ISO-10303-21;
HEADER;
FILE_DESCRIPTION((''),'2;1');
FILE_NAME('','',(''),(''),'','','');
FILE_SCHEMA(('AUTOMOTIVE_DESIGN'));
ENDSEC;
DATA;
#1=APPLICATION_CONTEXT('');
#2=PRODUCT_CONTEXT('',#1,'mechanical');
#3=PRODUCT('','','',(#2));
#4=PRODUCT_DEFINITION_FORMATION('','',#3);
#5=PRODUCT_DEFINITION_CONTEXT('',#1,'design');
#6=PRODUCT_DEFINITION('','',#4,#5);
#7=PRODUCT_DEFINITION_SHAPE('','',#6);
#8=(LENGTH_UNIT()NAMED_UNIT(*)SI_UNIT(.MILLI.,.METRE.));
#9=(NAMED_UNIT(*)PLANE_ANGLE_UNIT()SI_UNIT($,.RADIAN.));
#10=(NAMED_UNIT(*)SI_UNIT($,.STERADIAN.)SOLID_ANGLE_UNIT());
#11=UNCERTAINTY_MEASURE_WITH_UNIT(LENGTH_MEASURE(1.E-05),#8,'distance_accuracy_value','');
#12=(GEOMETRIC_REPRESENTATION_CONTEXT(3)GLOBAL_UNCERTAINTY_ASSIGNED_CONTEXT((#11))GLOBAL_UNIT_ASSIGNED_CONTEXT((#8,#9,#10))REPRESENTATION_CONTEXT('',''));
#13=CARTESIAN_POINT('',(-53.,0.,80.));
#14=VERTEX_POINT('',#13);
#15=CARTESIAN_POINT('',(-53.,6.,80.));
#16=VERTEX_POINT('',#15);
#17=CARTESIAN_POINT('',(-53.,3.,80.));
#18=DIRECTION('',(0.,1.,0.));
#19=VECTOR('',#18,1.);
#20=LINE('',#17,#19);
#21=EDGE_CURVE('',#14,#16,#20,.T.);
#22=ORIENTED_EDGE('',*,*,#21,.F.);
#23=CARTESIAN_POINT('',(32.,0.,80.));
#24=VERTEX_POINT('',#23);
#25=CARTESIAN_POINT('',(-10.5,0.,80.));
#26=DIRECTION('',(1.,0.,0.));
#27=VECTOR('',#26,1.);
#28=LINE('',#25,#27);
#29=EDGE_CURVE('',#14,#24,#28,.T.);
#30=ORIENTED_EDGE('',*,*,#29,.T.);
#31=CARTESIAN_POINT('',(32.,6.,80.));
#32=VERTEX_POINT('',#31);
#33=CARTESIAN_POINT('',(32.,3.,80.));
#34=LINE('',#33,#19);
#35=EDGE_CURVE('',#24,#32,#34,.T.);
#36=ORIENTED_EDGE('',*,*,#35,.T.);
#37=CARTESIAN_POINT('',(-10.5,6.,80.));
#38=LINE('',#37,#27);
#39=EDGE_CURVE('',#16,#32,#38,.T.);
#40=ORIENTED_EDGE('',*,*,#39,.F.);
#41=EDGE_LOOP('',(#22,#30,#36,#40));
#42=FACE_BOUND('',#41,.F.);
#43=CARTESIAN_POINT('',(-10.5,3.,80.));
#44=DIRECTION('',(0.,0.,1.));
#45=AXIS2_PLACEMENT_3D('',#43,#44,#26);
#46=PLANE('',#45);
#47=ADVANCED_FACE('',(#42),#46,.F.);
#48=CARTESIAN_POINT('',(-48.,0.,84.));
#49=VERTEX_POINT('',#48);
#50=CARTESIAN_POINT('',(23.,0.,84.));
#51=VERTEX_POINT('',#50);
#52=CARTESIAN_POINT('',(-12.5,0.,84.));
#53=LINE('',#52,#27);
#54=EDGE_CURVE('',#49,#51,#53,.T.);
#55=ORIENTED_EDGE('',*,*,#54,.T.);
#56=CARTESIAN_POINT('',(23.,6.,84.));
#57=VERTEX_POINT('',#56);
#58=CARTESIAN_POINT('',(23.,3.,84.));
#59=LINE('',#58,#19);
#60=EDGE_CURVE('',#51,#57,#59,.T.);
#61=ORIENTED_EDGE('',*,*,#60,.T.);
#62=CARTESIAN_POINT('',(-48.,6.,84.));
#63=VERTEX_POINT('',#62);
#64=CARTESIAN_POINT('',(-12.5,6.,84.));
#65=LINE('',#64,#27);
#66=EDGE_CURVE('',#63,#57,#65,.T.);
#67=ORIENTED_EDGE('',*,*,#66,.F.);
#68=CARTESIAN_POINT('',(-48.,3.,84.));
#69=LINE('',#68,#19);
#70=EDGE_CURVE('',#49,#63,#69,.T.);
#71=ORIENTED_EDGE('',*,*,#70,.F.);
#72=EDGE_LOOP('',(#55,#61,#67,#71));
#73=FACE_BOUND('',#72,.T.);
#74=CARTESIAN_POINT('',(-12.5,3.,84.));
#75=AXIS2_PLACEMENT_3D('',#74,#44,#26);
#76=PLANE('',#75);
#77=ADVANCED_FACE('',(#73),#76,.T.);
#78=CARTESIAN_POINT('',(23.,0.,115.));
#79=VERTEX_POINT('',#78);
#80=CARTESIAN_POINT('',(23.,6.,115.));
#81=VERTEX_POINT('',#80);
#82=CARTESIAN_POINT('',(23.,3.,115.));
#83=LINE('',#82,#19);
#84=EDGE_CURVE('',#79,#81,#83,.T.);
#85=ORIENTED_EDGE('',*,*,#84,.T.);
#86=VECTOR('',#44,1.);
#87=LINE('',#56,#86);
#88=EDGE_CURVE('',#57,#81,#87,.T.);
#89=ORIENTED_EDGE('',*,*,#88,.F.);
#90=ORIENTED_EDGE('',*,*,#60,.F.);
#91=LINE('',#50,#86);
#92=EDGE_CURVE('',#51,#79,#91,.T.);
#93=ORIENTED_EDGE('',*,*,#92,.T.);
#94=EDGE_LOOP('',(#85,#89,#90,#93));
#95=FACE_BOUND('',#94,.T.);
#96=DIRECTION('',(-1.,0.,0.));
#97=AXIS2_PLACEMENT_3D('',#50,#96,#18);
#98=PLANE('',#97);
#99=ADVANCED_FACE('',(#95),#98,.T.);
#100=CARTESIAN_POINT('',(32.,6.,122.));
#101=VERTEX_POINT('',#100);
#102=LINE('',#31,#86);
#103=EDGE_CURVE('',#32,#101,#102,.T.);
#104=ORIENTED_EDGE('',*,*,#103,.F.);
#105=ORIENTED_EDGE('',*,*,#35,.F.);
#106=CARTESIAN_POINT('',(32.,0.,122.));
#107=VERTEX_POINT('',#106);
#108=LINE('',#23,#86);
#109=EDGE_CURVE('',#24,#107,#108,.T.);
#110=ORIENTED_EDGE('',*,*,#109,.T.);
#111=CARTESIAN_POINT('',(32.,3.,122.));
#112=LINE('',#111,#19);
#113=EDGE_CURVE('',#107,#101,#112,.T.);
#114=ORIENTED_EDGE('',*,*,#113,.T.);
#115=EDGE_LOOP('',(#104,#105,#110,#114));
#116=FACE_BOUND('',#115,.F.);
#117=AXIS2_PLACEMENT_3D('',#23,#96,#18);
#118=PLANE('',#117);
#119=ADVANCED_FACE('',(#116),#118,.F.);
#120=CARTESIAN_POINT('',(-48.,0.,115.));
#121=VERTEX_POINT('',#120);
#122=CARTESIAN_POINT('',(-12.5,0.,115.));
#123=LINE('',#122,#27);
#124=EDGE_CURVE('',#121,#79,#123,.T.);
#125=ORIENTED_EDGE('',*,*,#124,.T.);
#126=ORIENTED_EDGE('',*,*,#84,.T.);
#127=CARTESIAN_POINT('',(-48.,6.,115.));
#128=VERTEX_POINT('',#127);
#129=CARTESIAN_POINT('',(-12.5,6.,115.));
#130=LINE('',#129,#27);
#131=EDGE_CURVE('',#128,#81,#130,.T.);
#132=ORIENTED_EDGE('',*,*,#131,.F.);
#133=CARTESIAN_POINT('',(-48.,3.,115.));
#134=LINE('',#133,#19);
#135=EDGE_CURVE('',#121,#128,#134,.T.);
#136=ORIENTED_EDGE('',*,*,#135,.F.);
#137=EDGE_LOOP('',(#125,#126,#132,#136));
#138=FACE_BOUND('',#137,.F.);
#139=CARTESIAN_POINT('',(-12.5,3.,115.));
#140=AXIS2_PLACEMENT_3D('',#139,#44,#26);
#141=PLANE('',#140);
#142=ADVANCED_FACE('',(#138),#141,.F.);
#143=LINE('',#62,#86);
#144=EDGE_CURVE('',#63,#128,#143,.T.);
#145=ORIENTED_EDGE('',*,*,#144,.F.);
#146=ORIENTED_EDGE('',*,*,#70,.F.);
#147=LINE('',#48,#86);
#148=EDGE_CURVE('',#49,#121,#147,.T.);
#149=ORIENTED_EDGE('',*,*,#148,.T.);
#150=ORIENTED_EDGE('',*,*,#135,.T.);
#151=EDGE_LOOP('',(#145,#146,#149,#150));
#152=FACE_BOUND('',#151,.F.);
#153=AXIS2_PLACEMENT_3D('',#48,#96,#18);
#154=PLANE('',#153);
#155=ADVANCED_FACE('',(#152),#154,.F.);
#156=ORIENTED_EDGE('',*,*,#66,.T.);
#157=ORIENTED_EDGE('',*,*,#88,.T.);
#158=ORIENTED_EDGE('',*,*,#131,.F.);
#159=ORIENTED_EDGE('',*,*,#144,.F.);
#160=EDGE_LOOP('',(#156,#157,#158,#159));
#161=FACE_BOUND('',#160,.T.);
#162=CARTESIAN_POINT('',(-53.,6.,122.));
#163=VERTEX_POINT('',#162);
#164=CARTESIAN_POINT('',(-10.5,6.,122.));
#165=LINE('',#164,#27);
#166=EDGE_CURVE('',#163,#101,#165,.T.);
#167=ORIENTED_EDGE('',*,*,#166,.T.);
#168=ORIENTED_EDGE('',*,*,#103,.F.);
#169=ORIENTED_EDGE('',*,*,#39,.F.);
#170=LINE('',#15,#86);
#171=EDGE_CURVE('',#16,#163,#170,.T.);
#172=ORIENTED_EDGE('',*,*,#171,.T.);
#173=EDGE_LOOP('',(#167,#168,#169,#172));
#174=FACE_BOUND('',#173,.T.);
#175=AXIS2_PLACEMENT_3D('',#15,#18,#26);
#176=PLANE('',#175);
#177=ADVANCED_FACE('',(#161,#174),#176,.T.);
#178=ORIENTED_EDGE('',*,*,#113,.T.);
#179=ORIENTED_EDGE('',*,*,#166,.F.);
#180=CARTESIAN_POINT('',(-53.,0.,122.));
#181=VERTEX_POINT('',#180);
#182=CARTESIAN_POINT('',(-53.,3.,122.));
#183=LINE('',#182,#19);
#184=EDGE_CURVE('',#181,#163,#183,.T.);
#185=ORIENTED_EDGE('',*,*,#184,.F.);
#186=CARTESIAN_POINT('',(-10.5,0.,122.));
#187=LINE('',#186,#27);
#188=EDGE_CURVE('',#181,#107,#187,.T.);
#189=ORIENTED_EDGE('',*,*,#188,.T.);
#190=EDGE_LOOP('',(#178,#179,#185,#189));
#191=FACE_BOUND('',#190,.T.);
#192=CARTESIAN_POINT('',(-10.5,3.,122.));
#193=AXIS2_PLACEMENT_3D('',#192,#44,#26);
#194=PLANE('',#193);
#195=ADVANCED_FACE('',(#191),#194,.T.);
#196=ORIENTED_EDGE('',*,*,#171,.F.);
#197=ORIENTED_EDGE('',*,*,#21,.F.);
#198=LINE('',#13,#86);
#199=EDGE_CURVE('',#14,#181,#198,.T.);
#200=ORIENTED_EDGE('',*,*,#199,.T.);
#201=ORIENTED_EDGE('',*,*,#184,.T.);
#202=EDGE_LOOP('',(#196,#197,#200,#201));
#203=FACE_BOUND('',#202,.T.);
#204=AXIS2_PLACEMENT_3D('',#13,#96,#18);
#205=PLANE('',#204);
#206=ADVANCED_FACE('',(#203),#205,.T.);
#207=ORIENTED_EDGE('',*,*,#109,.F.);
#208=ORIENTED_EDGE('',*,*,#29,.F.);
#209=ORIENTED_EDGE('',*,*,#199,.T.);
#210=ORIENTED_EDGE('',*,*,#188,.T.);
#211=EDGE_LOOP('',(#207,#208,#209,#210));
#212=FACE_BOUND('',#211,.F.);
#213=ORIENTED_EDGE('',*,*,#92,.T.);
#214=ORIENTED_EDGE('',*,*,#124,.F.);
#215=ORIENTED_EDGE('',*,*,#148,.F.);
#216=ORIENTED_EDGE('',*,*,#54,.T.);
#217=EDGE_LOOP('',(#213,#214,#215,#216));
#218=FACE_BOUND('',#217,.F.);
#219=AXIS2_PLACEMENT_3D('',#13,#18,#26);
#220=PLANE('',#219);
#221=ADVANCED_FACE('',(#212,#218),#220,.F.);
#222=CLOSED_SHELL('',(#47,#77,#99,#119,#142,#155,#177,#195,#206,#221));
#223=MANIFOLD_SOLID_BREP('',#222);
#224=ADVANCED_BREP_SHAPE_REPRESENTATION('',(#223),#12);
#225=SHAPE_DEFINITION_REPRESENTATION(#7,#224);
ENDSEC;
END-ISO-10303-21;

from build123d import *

# Parameters (mm, degrees)
BOX021_W     = 71
BOX021_H     = 6
BOX021_DEPTH = 31
BOX020_W     = 85
BOX020_H     = 6
BOX020_DEPTH = 42


with BuildPart() as cubo021:
    # Box021 → Box021 (new body)
    with BuildSketch(Plane(origin=(-65, 0, 84), x_dir=(1, 0, 0), z_dir=(0, 0, 1))):
        with Locations((35.5, 3)):
            Rectangle(BOX021_W, BOX021_H)
    extrude(amount=BOX021_DEPTH)


with BuildPart() as cut015:
    # Box020 → Box020 (new body)
    with BuildSketch(Plane(origin=(-70, 0, 80), x_dir=(1, 0, 0), z_dir=(0, 0, 1))):
        with Locations((42.5, 3)):
            Rectangle(BOX020_W, BOX020_H)
    extrude(amount=BOX020_DEPTH)

    # Cut015: cut Cubo021
    add(cubo021.part, mode=Mode.SUBTRACT)


with BuildPart() as cut015_1:
    # Cut015 placement: moved
    add(cut015.part.moved(Location((17, 0, 0))))


solid = cut015_1.part
